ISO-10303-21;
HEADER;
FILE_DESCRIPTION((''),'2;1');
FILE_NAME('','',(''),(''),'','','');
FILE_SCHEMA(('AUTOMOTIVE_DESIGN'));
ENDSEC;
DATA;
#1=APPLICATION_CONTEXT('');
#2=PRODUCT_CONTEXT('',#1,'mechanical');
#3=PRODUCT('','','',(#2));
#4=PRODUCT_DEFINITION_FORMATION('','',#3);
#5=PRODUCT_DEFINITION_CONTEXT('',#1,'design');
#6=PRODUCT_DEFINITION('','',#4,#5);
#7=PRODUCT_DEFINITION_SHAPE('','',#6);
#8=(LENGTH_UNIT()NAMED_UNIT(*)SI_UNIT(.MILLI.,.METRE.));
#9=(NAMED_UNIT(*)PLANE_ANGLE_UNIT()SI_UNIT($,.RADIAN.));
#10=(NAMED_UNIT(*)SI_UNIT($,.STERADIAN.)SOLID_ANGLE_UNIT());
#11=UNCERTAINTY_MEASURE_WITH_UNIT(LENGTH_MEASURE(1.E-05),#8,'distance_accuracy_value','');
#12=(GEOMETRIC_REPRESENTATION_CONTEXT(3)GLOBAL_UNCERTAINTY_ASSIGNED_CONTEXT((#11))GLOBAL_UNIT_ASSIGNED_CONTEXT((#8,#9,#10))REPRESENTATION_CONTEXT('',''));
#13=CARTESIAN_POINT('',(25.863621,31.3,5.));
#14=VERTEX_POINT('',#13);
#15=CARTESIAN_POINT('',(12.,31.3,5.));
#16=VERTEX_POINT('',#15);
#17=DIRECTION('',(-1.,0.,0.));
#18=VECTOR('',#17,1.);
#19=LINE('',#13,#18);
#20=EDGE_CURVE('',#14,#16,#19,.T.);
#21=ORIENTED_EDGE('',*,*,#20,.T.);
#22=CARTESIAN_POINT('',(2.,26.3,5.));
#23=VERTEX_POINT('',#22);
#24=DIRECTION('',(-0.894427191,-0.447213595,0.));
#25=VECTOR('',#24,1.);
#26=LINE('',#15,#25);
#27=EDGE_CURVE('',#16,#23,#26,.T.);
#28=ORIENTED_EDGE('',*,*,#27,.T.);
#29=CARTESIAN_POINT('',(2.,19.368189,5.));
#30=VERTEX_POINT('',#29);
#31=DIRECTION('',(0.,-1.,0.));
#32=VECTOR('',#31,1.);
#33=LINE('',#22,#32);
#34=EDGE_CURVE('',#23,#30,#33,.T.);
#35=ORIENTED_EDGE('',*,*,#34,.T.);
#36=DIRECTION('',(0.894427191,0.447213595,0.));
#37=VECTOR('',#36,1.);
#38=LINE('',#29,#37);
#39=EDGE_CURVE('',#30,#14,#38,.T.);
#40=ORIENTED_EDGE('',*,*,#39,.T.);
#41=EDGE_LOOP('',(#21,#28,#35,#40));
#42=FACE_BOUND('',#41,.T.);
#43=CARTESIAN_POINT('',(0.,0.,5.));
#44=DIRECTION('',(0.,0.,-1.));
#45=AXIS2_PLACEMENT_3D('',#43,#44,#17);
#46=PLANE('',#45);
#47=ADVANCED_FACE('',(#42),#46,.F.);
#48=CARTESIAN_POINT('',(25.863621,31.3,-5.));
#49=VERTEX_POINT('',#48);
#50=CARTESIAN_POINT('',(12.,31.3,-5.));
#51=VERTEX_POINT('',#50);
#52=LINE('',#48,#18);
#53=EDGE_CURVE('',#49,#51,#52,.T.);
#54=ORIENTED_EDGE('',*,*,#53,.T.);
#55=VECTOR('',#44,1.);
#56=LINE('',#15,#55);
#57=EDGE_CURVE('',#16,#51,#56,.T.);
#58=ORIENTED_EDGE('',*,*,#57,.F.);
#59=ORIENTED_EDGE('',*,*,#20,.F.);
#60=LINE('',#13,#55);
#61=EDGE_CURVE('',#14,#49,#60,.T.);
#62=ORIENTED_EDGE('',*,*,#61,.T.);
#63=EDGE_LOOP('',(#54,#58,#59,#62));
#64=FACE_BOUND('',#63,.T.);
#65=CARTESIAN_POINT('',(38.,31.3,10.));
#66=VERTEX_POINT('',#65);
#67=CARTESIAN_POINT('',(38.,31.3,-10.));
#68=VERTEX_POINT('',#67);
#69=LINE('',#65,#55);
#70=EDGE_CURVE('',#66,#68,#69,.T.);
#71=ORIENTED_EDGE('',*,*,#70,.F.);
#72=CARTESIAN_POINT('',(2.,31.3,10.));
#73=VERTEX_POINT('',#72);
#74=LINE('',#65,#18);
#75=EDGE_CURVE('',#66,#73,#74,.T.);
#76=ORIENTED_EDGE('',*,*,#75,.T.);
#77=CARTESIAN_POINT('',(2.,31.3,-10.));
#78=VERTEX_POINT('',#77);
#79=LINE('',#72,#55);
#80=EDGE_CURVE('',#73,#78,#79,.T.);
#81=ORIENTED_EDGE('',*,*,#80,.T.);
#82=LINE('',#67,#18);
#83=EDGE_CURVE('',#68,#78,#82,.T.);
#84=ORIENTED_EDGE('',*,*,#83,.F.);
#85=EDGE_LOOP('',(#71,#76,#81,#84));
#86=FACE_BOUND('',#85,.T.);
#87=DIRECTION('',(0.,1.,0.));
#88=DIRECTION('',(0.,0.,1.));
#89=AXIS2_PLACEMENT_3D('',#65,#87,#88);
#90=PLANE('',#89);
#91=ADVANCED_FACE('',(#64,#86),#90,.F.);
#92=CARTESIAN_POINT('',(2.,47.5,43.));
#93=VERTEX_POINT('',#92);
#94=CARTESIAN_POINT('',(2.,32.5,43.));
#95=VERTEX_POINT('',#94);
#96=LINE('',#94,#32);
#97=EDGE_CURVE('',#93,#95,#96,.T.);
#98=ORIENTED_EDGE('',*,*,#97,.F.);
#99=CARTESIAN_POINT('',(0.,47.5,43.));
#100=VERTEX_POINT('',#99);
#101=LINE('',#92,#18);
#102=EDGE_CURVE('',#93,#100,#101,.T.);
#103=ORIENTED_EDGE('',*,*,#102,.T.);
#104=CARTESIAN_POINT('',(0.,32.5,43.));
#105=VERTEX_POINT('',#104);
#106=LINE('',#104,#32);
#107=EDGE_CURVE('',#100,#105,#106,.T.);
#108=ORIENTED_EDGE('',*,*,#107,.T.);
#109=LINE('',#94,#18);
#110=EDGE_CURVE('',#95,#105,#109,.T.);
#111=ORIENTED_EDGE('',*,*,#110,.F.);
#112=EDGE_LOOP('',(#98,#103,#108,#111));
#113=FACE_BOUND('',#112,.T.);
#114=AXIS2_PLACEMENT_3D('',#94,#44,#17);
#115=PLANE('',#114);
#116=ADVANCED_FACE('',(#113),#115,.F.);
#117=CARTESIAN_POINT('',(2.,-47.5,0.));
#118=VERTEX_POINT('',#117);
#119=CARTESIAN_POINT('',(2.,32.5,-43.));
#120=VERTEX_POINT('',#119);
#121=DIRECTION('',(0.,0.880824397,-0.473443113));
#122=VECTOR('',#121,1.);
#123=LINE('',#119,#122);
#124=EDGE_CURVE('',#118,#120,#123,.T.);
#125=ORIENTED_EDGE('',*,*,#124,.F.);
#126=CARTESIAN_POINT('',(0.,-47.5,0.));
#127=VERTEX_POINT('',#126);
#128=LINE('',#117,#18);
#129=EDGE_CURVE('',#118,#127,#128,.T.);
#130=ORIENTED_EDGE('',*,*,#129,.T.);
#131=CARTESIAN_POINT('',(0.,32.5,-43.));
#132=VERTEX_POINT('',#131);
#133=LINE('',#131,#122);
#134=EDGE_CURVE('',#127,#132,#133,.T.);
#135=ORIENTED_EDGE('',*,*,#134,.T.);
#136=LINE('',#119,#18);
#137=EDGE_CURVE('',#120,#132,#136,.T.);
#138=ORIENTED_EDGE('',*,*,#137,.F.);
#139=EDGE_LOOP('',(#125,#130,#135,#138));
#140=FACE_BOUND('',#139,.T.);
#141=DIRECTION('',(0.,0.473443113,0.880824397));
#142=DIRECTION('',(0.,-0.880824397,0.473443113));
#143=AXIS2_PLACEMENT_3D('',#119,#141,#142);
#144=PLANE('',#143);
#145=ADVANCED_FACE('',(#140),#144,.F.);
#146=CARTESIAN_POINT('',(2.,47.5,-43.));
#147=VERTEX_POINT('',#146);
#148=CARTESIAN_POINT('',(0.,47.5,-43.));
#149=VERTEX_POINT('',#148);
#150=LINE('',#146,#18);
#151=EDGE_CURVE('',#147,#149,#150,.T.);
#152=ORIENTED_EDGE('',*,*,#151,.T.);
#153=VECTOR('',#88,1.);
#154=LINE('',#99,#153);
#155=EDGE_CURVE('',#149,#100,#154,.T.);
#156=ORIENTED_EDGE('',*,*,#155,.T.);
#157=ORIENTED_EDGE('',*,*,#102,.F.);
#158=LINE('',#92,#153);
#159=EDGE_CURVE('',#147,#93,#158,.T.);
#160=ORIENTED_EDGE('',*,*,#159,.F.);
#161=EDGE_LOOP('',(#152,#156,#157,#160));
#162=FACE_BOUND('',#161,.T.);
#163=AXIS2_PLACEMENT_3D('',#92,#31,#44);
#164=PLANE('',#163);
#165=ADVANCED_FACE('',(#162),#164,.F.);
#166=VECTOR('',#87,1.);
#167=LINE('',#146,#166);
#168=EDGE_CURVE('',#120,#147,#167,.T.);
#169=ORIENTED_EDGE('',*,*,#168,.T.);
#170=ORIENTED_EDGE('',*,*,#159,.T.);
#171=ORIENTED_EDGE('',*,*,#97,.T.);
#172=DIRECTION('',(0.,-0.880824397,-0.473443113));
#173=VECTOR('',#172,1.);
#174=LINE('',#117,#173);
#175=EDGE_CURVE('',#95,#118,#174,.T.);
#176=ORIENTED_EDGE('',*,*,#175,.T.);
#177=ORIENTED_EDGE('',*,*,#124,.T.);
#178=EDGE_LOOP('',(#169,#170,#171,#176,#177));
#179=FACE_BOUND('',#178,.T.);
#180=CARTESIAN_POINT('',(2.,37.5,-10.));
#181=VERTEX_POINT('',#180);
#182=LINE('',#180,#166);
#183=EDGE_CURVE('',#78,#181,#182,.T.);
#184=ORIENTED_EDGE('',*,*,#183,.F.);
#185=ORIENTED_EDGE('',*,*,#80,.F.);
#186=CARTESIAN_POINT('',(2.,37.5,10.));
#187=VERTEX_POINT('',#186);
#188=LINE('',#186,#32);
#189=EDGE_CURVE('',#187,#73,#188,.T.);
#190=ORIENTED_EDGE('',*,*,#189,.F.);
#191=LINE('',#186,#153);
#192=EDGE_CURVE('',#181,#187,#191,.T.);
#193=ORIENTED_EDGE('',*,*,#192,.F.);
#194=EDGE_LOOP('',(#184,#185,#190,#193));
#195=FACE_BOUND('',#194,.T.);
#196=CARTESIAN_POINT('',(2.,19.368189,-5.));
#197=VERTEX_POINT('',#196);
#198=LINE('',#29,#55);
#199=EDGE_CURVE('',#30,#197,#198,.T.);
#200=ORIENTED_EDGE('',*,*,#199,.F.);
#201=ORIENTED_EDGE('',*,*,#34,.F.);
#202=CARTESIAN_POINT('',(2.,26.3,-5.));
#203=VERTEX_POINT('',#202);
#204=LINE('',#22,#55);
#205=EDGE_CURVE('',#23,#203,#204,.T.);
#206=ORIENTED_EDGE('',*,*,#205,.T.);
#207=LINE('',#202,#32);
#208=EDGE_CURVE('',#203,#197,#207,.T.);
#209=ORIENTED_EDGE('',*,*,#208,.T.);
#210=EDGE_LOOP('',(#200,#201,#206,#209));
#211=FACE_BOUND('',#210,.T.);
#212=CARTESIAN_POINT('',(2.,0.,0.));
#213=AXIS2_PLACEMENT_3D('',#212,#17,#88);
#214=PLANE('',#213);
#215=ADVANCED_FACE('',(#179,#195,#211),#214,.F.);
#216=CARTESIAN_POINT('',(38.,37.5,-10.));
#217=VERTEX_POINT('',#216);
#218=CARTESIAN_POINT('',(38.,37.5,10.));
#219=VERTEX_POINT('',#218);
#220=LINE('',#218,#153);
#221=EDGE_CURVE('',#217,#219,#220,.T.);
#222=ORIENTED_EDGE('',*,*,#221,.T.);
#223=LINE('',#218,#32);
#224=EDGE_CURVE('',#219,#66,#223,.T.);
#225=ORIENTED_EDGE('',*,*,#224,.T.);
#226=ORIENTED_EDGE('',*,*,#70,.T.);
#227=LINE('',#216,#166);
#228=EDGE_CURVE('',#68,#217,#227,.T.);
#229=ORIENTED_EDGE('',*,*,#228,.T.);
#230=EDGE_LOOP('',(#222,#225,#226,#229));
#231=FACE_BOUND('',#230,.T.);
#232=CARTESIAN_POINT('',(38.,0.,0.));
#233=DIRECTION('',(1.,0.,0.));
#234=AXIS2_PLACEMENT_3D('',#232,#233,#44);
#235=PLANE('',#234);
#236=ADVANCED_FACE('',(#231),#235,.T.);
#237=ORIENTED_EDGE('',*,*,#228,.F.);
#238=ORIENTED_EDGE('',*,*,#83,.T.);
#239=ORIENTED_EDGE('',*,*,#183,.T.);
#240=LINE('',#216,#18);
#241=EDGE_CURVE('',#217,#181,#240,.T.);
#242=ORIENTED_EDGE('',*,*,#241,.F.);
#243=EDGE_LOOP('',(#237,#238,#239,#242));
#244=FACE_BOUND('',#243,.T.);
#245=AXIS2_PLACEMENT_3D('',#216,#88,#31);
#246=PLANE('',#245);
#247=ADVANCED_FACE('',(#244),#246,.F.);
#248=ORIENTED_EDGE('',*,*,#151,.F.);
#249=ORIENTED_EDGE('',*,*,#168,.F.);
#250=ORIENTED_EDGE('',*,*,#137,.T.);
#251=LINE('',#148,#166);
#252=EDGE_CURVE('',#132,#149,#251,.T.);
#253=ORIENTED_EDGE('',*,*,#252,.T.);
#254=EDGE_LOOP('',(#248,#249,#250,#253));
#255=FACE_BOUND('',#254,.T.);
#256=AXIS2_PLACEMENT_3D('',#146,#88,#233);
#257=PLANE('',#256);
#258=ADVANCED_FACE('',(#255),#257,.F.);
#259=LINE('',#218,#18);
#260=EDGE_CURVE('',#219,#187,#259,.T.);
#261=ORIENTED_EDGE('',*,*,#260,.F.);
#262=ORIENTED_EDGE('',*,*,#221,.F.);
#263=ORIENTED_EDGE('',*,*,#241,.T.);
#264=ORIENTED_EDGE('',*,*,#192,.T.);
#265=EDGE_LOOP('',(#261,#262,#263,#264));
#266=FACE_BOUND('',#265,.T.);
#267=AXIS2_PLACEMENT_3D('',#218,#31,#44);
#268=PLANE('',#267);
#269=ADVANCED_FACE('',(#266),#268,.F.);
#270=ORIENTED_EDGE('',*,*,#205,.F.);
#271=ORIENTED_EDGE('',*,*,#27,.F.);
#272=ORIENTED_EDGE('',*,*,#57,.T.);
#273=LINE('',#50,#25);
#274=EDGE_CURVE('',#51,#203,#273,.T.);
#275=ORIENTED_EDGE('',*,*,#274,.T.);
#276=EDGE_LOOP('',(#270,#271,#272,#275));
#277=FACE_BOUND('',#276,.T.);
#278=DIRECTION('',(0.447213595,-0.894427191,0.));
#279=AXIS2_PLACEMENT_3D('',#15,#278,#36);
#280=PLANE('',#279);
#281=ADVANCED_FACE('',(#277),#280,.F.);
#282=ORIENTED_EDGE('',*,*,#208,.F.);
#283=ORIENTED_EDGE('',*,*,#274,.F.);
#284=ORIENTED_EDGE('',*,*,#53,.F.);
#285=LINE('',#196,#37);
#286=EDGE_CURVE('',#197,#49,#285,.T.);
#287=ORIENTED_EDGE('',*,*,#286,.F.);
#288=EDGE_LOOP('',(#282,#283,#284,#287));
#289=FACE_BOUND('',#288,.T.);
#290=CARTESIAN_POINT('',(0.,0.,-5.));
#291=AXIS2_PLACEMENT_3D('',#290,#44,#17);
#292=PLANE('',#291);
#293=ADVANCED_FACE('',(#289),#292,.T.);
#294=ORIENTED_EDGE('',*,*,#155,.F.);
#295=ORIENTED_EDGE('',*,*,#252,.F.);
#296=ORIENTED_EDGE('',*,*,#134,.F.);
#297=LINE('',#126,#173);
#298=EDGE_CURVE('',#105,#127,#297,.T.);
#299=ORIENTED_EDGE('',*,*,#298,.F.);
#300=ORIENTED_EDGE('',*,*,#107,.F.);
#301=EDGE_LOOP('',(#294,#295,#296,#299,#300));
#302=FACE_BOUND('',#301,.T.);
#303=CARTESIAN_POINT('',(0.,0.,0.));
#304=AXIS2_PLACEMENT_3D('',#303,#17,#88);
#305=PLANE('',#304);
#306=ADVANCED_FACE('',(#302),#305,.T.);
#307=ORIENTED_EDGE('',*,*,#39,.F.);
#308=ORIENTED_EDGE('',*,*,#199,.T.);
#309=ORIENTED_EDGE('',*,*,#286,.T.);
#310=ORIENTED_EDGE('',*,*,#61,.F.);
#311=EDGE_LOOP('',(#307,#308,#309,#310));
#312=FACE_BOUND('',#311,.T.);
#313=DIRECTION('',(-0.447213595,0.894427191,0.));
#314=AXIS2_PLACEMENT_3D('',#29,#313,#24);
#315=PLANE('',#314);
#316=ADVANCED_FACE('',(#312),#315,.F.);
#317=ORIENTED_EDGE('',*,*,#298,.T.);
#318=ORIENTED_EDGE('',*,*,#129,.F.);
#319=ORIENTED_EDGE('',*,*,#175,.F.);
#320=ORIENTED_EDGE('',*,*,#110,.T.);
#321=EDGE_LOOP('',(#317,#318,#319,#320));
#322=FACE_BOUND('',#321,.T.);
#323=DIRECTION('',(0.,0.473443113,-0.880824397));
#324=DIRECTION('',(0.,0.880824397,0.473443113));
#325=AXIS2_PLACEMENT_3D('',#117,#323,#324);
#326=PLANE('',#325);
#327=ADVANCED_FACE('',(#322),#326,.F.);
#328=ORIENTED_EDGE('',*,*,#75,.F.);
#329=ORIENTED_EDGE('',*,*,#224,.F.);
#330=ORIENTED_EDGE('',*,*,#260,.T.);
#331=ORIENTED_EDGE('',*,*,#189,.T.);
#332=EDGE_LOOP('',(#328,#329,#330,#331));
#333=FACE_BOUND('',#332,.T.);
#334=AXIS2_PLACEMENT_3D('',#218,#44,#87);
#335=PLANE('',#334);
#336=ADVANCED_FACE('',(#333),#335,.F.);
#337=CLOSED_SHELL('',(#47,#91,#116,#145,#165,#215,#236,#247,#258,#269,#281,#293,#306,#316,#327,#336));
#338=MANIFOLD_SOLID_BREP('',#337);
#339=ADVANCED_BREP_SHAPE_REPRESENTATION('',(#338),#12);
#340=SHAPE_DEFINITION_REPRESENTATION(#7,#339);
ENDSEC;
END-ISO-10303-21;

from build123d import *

# Parameters (mm, degrees)
BOSS_EXTRUDE1_DEPTH = 2
SKETCH2_W           = 20
SKETCH2_H           = 6.2
BOSS_EXTRUDE2_DEPTH = 36
BOSS_EXTRUDE3_DEPTH = 5


with BuildPart() as part:
    # Sketch1 → Boss-Extrude1 (new body)
    with BuildSketch(Plane(origin=(0, 0, 0), x_dir=(0, 0, -1), z_dir=(1, 0, 0))):
        Polygon((-43, 47.5), (43, 47.5), (43, 32.5), (0, -47.5), (-43, 32.5), align=None)
    extrude(amount=BOSS_EXTRUDE1_DEPTH)

    # Sketch2 → Boss-Extrude2 (add)
    with BuildSketch(Plane(origin=(2, 0, 0), x_dir=(0, 0, -1), z_dir=(1, 0, 0))):
        with Locations((0, 34.4)):
            Rectangle(SKETCH2_W, SKETCH2_H)
    extrude(amount=BOSS_EXTRUDE2_DEPTH)

    # Sketch3 → Boss-Extrude3 (add, symmetric)
    with BuildSketch(Plane.XY):
        Polygon((2, 19.36818927), (25.86362146, 31.3), (12, 31.3), (2, 26.3), align=None)
    extrude(amount=BOSS_EXTRUDE3_DEPTH, both=True)


solid = part.part
